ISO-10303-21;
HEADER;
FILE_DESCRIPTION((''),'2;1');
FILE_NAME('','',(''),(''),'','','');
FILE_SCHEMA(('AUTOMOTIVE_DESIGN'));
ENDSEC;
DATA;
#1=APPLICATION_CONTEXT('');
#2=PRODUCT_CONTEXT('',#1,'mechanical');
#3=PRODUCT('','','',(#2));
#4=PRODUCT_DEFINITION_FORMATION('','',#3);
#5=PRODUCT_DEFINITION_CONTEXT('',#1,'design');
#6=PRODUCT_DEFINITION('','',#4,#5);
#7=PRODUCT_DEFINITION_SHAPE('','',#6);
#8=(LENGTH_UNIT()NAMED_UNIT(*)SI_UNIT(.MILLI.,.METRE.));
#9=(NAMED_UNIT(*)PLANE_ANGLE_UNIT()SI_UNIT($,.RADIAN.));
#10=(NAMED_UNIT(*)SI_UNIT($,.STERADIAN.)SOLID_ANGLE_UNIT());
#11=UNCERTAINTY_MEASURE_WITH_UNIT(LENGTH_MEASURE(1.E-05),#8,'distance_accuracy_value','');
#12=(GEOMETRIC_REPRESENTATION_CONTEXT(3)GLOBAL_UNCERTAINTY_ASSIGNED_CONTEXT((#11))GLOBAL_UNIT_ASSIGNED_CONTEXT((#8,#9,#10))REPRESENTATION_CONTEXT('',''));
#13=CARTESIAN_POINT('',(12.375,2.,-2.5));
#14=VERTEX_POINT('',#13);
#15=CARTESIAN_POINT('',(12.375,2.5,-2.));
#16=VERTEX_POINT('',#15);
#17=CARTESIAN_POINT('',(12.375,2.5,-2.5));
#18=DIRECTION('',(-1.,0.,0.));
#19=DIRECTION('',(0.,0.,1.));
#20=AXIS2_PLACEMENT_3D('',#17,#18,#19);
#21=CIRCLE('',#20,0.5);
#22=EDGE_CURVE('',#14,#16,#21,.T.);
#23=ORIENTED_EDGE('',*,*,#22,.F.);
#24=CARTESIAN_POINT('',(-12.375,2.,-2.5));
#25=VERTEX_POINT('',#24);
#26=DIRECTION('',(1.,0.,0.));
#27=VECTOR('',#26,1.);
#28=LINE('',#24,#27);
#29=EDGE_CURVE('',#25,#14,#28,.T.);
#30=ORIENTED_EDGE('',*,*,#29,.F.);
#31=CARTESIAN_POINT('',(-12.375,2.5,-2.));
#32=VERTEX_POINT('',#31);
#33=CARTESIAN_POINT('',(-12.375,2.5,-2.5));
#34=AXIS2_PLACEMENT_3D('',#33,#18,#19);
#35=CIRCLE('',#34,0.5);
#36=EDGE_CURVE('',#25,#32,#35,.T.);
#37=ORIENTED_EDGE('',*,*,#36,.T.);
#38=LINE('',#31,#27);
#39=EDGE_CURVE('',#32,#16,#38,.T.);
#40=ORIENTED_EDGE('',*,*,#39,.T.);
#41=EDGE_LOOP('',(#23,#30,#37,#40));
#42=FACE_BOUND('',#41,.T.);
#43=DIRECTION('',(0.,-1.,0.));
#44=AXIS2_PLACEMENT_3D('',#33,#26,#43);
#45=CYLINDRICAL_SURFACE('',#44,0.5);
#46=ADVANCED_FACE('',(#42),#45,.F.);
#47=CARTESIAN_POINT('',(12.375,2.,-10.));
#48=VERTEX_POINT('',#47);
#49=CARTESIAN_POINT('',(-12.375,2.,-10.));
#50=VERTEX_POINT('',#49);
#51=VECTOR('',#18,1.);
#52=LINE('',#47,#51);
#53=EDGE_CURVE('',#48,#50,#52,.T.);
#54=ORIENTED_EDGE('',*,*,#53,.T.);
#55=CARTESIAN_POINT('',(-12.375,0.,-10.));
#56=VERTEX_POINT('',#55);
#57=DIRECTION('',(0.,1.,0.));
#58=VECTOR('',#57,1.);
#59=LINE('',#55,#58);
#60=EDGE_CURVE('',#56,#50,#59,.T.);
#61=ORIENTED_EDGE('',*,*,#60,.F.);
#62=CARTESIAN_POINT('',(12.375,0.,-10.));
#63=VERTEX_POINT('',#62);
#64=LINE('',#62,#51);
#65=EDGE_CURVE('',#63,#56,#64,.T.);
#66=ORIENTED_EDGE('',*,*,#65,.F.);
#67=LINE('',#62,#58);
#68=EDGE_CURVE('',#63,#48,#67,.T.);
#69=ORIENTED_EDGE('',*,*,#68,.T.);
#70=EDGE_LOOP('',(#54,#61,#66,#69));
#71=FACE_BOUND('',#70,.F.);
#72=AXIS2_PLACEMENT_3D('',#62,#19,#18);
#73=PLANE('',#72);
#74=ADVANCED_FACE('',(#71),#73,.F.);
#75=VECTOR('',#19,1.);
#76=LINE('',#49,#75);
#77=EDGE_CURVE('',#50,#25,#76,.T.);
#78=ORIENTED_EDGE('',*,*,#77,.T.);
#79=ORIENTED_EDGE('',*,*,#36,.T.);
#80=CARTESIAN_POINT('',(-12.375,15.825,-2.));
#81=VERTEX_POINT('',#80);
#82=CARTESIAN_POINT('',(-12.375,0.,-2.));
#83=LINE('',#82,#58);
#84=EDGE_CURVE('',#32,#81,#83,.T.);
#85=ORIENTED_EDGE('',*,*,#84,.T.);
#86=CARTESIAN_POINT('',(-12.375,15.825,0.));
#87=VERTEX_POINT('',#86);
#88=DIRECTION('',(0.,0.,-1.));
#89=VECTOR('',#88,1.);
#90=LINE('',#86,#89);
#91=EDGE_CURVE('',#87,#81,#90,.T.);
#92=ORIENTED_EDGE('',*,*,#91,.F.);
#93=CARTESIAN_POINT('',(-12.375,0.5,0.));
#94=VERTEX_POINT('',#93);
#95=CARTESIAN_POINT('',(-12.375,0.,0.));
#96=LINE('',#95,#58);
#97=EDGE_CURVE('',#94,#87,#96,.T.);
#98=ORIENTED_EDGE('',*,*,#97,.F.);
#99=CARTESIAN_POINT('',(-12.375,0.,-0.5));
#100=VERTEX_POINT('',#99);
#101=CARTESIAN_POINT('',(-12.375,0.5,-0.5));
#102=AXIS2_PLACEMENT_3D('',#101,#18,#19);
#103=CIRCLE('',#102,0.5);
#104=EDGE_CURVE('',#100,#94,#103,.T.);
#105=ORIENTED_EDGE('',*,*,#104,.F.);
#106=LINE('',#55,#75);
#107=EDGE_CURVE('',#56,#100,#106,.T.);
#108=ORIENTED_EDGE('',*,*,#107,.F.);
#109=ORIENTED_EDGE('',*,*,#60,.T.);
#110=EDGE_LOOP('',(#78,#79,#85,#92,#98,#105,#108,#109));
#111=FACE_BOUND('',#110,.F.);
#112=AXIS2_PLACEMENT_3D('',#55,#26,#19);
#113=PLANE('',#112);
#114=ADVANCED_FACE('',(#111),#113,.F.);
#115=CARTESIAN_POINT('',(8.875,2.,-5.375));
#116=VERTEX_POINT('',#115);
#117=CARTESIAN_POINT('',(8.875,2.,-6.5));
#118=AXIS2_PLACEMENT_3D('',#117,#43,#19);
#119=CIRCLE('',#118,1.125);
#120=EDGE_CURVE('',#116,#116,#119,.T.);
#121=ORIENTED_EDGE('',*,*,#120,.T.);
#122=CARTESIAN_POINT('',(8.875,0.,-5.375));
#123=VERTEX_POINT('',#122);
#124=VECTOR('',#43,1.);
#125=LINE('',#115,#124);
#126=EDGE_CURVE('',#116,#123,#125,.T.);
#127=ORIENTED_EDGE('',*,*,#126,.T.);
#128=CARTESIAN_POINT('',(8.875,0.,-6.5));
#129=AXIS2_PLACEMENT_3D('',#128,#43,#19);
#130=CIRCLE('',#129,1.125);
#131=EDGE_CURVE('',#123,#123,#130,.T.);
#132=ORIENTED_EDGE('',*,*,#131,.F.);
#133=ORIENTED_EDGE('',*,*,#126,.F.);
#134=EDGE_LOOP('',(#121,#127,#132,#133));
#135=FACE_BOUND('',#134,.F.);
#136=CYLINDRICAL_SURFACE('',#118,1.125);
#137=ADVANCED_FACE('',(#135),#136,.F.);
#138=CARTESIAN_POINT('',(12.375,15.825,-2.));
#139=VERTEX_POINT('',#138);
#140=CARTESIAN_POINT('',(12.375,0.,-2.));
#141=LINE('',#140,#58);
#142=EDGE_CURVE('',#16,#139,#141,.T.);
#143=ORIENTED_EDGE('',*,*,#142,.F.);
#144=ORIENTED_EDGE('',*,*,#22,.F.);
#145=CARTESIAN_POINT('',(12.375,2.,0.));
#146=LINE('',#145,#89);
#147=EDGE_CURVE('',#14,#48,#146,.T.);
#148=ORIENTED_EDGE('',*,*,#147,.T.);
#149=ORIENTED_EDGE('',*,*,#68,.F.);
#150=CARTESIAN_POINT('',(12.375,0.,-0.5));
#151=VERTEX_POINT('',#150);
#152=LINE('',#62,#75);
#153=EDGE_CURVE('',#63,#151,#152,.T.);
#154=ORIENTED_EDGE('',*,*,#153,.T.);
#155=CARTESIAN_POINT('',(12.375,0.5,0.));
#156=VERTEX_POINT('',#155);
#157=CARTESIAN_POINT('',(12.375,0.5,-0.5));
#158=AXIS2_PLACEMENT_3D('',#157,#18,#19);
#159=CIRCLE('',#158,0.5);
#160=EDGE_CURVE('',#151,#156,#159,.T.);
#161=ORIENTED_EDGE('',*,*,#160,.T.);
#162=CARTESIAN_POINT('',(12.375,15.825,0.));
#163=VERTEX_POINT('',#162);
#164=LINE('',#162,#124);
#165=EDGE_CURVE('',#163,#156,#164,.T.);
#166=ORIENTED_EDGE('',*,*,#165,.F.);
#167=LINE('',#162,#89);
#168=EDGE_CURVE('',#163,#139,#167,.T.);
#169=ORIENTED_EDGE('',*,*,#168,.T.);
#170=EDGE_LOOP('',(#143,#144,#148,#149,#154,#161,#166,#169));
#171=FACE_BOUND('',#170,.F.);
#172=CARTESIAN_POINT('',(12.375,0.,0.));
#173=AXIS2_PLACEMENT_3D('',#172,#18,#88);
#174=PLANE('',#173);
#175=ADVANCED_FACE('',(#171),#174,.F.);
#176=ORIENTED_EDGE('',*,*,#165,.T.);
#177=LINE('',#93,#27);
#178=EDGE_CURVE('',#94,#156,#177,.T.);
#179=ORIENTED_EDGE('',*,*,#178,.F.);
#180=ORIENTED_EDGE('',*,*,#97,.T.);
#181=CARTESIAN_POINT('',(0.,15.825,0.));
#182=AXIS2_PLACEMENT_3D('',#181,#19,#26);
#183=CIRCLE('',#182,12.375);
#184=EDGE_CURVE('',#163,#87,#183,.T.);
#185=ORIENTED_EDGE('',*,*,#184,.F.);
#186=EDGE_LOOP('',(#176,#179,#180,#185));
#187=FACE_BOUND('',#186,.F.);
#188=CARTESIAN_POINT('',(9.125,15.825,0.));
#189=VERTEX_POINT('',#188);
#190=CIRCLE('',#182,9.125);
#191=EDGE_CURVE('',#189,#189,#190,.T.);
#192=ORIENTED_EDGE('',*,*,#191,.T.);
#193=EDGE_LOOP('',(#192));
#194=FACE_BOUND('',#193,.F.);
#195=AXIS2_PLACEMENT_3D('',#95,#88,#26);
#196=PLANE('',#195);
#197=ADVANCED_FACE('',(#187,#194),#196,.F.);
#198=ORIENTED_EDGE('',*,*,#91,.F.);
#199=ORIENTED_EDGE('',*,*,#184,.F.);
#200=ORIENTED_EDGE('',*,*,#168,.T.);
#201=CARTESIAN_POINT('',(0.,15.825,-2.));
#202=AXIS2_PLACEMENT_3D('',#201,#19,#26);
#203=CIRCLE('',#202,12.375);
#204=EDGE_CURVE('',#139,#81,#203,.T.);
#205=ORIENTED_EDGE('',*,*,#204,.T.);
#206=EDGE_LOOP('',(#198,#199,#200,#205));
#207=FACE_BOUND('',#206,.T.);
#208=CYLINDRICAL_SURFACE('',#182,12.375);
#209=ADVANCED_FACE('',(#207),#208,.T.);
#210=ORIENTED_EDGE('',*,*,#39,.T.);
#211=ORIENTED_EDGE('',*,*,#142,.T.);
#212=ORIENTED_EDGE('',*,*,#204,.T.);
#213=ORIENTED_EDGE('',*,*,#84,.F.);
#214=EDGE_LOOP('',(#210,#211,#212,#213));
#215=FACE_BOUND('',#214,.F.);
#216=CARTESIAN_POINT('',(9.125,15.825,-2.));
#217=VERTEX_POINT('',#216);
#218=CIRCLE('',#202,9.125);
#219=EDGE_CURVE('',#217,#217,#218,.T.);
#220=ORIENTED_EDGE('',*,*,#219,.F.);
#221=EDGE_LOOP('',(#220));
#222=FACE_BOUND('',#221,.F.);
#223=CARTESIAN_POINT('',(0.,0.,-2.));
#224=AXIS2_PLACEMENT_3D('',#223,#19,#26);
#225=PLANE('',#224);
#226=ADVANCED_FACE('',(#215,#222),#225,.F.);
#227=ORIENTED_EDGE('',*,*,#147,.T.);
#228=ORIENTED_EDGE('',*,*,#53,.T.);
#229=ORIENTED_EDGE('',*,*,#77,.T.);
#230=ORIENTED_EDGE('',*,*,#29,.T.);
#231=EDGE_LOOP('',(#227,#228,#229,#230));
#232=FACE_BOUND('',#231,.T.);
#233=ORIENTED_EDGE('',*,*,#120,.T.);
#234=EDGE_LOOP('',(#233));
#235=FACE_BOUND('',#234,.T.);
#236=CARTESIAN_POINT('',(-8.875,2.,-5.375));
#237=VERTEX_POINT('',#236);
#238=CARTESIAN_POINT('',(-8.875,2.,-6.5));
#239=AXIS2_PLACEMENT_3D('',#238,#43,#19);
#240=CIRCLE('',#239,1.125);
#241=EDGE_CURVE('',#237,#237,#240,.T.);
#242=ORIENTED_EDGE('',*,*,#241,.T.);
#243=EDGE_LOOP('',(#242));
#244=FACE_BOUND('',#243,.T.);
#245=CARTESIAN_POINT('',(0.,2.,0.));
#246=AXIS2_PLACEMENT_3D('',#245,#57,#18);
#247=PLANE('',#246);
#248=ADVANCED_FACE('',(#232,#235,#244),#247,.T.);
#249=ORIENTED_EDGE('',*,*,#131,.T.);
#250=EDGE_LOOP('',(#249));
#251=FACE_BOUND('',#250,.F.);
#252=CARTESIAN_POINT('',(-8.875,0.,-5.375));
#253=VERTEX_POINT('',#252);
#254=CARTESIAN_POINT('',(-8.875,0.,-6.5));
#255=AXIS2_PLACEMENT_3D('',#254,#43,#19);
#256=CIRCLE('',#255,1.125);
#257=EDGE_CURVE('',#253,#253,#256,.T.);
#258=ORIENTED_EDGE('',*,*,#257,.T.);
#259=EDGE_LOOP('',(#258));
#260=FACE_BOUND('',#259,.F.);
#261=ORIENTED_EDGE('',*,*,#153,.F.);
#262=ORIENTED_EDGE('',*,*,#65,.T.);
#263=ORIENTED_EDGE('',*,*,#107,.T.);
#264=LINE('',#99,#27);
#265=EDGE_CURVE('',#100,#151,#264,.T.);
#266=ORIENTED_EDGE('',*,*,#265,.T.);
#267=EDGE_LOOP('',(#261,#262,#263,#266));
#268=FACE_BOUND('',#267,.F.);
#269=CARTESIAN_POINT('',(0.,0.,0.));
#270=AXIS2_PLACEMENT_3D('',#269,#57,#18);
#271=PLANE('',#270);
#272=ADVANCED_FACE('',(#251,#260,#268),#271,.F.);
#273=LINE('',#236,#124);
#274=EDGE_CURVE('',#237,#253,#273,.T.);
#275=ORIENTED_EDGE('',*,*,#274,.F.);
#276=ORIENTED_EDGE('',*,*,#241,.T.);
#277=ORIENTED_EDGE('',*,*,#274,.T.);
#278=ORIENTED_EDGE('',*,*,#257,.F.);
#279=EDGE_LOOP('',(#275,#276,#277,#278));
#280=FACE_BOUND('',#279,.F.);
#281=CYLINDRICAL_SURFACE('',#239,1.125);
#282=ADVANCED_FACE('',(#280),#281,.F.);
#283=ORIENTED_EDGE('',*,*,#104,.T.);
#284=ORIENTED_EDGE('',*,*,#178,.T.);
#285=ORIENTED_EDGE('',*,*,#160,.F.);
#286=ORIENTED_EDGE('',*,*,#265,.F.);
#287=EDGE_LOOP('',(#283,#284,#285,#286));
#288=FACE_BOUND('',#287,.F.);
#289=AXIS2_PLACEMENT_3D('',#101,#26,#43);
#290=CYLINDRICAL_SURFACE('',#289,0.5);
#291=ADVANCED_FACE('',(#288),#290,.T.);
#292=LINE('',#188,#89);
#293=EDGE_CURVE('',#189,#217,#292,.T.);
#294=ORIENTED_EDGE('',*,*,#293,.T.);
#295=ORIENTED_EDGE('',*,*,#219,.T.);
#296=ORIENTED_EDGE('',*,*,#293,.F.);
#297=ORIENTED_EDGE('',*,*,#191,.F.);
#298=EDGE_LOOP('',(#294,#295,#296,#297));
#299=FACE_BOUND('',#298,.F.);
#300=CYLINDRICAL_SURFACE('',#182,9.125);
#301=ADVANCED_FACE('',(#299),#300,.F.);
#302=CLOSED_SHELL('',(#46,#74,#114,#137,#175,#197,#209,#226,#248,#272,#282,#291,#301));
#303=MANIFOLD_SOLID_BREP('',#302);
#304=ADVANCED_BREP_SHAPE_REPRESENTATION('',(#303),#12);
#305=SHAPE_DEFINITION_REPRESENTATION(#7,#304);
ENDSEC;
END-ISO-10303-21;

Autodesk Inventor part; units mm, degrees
ref_plane "YZ Plane" through (0, 0, 0) normal (1, 0, 0) x (0, 1, 0)
ref_plane "XZ Plane" through (0, 0, 0) normal (0, 1, 0) x (-1, 0, 0)
ref_plane "XY Plane" through (0, 0, 0) normal (0, 0, 1) x (1, 0, 0)
sketch "Sketch1" plane through (0, 0, 0) normal (0, 0, 1) x (1, 0, 0)
  circle A0 centre (0, 15.825) radius 9.125
  line L0 (-12.375, 0) -> (12.375, 0)
  arc A1 (12.375, 15.825) -> (-12.375, 15.825) centre (0, 15.825) ccw
  line L1 (12.375, 0) -> (12.375, 15.825)
  line L2 (-12.375, 0) -> (-12.375, 15.825)
  point P0 (0, 0)
  point P1 (0, 0)
  point P2 (0, 0)
  point P3 (0, 3.45)
  dimension "d28" = 18.25
  dimension "d29" = 24.75
  dimension "d30" = 24.75
  dimension "d31" = 3.45
sketch "Sketch2" plane through (0, 0, 0) normal (0, 1, 0) x (-1, 0, 0)
  line L0 (12.375, 0) -> (-12.375, 0)
  line L1 (-12.375, 0) -> (-12.375, -10)
  line L2 (-12.375, -10) -> (12.375, -10)
  line L3 (12.375, -10) -> (12.375, 0)
  point P0 (0, 0)
  point P1 (-12.375, 0)
  dimension "d5" = 24.75
  dimension "d10" = 10
extrude "Extrusion4" add sketch "Sketch2" along normal blind 2
extrude "Extrusion5" add sketch "Sketch1" against normal blind 2
hole "Hole2" at (-8.875, 2, -6.5) direction (0, -1, 0) diameter 2.25 end through all
pattern_linear "Rectangular Pattern2" count 2 spacing 17.75 along (1, 0, 0) of "Hole2"
fillet "Fillet1" radius 0.5 2 edges at (0, 0, 0) (0, 2, -2)
properties part number "DudukanProximity"
